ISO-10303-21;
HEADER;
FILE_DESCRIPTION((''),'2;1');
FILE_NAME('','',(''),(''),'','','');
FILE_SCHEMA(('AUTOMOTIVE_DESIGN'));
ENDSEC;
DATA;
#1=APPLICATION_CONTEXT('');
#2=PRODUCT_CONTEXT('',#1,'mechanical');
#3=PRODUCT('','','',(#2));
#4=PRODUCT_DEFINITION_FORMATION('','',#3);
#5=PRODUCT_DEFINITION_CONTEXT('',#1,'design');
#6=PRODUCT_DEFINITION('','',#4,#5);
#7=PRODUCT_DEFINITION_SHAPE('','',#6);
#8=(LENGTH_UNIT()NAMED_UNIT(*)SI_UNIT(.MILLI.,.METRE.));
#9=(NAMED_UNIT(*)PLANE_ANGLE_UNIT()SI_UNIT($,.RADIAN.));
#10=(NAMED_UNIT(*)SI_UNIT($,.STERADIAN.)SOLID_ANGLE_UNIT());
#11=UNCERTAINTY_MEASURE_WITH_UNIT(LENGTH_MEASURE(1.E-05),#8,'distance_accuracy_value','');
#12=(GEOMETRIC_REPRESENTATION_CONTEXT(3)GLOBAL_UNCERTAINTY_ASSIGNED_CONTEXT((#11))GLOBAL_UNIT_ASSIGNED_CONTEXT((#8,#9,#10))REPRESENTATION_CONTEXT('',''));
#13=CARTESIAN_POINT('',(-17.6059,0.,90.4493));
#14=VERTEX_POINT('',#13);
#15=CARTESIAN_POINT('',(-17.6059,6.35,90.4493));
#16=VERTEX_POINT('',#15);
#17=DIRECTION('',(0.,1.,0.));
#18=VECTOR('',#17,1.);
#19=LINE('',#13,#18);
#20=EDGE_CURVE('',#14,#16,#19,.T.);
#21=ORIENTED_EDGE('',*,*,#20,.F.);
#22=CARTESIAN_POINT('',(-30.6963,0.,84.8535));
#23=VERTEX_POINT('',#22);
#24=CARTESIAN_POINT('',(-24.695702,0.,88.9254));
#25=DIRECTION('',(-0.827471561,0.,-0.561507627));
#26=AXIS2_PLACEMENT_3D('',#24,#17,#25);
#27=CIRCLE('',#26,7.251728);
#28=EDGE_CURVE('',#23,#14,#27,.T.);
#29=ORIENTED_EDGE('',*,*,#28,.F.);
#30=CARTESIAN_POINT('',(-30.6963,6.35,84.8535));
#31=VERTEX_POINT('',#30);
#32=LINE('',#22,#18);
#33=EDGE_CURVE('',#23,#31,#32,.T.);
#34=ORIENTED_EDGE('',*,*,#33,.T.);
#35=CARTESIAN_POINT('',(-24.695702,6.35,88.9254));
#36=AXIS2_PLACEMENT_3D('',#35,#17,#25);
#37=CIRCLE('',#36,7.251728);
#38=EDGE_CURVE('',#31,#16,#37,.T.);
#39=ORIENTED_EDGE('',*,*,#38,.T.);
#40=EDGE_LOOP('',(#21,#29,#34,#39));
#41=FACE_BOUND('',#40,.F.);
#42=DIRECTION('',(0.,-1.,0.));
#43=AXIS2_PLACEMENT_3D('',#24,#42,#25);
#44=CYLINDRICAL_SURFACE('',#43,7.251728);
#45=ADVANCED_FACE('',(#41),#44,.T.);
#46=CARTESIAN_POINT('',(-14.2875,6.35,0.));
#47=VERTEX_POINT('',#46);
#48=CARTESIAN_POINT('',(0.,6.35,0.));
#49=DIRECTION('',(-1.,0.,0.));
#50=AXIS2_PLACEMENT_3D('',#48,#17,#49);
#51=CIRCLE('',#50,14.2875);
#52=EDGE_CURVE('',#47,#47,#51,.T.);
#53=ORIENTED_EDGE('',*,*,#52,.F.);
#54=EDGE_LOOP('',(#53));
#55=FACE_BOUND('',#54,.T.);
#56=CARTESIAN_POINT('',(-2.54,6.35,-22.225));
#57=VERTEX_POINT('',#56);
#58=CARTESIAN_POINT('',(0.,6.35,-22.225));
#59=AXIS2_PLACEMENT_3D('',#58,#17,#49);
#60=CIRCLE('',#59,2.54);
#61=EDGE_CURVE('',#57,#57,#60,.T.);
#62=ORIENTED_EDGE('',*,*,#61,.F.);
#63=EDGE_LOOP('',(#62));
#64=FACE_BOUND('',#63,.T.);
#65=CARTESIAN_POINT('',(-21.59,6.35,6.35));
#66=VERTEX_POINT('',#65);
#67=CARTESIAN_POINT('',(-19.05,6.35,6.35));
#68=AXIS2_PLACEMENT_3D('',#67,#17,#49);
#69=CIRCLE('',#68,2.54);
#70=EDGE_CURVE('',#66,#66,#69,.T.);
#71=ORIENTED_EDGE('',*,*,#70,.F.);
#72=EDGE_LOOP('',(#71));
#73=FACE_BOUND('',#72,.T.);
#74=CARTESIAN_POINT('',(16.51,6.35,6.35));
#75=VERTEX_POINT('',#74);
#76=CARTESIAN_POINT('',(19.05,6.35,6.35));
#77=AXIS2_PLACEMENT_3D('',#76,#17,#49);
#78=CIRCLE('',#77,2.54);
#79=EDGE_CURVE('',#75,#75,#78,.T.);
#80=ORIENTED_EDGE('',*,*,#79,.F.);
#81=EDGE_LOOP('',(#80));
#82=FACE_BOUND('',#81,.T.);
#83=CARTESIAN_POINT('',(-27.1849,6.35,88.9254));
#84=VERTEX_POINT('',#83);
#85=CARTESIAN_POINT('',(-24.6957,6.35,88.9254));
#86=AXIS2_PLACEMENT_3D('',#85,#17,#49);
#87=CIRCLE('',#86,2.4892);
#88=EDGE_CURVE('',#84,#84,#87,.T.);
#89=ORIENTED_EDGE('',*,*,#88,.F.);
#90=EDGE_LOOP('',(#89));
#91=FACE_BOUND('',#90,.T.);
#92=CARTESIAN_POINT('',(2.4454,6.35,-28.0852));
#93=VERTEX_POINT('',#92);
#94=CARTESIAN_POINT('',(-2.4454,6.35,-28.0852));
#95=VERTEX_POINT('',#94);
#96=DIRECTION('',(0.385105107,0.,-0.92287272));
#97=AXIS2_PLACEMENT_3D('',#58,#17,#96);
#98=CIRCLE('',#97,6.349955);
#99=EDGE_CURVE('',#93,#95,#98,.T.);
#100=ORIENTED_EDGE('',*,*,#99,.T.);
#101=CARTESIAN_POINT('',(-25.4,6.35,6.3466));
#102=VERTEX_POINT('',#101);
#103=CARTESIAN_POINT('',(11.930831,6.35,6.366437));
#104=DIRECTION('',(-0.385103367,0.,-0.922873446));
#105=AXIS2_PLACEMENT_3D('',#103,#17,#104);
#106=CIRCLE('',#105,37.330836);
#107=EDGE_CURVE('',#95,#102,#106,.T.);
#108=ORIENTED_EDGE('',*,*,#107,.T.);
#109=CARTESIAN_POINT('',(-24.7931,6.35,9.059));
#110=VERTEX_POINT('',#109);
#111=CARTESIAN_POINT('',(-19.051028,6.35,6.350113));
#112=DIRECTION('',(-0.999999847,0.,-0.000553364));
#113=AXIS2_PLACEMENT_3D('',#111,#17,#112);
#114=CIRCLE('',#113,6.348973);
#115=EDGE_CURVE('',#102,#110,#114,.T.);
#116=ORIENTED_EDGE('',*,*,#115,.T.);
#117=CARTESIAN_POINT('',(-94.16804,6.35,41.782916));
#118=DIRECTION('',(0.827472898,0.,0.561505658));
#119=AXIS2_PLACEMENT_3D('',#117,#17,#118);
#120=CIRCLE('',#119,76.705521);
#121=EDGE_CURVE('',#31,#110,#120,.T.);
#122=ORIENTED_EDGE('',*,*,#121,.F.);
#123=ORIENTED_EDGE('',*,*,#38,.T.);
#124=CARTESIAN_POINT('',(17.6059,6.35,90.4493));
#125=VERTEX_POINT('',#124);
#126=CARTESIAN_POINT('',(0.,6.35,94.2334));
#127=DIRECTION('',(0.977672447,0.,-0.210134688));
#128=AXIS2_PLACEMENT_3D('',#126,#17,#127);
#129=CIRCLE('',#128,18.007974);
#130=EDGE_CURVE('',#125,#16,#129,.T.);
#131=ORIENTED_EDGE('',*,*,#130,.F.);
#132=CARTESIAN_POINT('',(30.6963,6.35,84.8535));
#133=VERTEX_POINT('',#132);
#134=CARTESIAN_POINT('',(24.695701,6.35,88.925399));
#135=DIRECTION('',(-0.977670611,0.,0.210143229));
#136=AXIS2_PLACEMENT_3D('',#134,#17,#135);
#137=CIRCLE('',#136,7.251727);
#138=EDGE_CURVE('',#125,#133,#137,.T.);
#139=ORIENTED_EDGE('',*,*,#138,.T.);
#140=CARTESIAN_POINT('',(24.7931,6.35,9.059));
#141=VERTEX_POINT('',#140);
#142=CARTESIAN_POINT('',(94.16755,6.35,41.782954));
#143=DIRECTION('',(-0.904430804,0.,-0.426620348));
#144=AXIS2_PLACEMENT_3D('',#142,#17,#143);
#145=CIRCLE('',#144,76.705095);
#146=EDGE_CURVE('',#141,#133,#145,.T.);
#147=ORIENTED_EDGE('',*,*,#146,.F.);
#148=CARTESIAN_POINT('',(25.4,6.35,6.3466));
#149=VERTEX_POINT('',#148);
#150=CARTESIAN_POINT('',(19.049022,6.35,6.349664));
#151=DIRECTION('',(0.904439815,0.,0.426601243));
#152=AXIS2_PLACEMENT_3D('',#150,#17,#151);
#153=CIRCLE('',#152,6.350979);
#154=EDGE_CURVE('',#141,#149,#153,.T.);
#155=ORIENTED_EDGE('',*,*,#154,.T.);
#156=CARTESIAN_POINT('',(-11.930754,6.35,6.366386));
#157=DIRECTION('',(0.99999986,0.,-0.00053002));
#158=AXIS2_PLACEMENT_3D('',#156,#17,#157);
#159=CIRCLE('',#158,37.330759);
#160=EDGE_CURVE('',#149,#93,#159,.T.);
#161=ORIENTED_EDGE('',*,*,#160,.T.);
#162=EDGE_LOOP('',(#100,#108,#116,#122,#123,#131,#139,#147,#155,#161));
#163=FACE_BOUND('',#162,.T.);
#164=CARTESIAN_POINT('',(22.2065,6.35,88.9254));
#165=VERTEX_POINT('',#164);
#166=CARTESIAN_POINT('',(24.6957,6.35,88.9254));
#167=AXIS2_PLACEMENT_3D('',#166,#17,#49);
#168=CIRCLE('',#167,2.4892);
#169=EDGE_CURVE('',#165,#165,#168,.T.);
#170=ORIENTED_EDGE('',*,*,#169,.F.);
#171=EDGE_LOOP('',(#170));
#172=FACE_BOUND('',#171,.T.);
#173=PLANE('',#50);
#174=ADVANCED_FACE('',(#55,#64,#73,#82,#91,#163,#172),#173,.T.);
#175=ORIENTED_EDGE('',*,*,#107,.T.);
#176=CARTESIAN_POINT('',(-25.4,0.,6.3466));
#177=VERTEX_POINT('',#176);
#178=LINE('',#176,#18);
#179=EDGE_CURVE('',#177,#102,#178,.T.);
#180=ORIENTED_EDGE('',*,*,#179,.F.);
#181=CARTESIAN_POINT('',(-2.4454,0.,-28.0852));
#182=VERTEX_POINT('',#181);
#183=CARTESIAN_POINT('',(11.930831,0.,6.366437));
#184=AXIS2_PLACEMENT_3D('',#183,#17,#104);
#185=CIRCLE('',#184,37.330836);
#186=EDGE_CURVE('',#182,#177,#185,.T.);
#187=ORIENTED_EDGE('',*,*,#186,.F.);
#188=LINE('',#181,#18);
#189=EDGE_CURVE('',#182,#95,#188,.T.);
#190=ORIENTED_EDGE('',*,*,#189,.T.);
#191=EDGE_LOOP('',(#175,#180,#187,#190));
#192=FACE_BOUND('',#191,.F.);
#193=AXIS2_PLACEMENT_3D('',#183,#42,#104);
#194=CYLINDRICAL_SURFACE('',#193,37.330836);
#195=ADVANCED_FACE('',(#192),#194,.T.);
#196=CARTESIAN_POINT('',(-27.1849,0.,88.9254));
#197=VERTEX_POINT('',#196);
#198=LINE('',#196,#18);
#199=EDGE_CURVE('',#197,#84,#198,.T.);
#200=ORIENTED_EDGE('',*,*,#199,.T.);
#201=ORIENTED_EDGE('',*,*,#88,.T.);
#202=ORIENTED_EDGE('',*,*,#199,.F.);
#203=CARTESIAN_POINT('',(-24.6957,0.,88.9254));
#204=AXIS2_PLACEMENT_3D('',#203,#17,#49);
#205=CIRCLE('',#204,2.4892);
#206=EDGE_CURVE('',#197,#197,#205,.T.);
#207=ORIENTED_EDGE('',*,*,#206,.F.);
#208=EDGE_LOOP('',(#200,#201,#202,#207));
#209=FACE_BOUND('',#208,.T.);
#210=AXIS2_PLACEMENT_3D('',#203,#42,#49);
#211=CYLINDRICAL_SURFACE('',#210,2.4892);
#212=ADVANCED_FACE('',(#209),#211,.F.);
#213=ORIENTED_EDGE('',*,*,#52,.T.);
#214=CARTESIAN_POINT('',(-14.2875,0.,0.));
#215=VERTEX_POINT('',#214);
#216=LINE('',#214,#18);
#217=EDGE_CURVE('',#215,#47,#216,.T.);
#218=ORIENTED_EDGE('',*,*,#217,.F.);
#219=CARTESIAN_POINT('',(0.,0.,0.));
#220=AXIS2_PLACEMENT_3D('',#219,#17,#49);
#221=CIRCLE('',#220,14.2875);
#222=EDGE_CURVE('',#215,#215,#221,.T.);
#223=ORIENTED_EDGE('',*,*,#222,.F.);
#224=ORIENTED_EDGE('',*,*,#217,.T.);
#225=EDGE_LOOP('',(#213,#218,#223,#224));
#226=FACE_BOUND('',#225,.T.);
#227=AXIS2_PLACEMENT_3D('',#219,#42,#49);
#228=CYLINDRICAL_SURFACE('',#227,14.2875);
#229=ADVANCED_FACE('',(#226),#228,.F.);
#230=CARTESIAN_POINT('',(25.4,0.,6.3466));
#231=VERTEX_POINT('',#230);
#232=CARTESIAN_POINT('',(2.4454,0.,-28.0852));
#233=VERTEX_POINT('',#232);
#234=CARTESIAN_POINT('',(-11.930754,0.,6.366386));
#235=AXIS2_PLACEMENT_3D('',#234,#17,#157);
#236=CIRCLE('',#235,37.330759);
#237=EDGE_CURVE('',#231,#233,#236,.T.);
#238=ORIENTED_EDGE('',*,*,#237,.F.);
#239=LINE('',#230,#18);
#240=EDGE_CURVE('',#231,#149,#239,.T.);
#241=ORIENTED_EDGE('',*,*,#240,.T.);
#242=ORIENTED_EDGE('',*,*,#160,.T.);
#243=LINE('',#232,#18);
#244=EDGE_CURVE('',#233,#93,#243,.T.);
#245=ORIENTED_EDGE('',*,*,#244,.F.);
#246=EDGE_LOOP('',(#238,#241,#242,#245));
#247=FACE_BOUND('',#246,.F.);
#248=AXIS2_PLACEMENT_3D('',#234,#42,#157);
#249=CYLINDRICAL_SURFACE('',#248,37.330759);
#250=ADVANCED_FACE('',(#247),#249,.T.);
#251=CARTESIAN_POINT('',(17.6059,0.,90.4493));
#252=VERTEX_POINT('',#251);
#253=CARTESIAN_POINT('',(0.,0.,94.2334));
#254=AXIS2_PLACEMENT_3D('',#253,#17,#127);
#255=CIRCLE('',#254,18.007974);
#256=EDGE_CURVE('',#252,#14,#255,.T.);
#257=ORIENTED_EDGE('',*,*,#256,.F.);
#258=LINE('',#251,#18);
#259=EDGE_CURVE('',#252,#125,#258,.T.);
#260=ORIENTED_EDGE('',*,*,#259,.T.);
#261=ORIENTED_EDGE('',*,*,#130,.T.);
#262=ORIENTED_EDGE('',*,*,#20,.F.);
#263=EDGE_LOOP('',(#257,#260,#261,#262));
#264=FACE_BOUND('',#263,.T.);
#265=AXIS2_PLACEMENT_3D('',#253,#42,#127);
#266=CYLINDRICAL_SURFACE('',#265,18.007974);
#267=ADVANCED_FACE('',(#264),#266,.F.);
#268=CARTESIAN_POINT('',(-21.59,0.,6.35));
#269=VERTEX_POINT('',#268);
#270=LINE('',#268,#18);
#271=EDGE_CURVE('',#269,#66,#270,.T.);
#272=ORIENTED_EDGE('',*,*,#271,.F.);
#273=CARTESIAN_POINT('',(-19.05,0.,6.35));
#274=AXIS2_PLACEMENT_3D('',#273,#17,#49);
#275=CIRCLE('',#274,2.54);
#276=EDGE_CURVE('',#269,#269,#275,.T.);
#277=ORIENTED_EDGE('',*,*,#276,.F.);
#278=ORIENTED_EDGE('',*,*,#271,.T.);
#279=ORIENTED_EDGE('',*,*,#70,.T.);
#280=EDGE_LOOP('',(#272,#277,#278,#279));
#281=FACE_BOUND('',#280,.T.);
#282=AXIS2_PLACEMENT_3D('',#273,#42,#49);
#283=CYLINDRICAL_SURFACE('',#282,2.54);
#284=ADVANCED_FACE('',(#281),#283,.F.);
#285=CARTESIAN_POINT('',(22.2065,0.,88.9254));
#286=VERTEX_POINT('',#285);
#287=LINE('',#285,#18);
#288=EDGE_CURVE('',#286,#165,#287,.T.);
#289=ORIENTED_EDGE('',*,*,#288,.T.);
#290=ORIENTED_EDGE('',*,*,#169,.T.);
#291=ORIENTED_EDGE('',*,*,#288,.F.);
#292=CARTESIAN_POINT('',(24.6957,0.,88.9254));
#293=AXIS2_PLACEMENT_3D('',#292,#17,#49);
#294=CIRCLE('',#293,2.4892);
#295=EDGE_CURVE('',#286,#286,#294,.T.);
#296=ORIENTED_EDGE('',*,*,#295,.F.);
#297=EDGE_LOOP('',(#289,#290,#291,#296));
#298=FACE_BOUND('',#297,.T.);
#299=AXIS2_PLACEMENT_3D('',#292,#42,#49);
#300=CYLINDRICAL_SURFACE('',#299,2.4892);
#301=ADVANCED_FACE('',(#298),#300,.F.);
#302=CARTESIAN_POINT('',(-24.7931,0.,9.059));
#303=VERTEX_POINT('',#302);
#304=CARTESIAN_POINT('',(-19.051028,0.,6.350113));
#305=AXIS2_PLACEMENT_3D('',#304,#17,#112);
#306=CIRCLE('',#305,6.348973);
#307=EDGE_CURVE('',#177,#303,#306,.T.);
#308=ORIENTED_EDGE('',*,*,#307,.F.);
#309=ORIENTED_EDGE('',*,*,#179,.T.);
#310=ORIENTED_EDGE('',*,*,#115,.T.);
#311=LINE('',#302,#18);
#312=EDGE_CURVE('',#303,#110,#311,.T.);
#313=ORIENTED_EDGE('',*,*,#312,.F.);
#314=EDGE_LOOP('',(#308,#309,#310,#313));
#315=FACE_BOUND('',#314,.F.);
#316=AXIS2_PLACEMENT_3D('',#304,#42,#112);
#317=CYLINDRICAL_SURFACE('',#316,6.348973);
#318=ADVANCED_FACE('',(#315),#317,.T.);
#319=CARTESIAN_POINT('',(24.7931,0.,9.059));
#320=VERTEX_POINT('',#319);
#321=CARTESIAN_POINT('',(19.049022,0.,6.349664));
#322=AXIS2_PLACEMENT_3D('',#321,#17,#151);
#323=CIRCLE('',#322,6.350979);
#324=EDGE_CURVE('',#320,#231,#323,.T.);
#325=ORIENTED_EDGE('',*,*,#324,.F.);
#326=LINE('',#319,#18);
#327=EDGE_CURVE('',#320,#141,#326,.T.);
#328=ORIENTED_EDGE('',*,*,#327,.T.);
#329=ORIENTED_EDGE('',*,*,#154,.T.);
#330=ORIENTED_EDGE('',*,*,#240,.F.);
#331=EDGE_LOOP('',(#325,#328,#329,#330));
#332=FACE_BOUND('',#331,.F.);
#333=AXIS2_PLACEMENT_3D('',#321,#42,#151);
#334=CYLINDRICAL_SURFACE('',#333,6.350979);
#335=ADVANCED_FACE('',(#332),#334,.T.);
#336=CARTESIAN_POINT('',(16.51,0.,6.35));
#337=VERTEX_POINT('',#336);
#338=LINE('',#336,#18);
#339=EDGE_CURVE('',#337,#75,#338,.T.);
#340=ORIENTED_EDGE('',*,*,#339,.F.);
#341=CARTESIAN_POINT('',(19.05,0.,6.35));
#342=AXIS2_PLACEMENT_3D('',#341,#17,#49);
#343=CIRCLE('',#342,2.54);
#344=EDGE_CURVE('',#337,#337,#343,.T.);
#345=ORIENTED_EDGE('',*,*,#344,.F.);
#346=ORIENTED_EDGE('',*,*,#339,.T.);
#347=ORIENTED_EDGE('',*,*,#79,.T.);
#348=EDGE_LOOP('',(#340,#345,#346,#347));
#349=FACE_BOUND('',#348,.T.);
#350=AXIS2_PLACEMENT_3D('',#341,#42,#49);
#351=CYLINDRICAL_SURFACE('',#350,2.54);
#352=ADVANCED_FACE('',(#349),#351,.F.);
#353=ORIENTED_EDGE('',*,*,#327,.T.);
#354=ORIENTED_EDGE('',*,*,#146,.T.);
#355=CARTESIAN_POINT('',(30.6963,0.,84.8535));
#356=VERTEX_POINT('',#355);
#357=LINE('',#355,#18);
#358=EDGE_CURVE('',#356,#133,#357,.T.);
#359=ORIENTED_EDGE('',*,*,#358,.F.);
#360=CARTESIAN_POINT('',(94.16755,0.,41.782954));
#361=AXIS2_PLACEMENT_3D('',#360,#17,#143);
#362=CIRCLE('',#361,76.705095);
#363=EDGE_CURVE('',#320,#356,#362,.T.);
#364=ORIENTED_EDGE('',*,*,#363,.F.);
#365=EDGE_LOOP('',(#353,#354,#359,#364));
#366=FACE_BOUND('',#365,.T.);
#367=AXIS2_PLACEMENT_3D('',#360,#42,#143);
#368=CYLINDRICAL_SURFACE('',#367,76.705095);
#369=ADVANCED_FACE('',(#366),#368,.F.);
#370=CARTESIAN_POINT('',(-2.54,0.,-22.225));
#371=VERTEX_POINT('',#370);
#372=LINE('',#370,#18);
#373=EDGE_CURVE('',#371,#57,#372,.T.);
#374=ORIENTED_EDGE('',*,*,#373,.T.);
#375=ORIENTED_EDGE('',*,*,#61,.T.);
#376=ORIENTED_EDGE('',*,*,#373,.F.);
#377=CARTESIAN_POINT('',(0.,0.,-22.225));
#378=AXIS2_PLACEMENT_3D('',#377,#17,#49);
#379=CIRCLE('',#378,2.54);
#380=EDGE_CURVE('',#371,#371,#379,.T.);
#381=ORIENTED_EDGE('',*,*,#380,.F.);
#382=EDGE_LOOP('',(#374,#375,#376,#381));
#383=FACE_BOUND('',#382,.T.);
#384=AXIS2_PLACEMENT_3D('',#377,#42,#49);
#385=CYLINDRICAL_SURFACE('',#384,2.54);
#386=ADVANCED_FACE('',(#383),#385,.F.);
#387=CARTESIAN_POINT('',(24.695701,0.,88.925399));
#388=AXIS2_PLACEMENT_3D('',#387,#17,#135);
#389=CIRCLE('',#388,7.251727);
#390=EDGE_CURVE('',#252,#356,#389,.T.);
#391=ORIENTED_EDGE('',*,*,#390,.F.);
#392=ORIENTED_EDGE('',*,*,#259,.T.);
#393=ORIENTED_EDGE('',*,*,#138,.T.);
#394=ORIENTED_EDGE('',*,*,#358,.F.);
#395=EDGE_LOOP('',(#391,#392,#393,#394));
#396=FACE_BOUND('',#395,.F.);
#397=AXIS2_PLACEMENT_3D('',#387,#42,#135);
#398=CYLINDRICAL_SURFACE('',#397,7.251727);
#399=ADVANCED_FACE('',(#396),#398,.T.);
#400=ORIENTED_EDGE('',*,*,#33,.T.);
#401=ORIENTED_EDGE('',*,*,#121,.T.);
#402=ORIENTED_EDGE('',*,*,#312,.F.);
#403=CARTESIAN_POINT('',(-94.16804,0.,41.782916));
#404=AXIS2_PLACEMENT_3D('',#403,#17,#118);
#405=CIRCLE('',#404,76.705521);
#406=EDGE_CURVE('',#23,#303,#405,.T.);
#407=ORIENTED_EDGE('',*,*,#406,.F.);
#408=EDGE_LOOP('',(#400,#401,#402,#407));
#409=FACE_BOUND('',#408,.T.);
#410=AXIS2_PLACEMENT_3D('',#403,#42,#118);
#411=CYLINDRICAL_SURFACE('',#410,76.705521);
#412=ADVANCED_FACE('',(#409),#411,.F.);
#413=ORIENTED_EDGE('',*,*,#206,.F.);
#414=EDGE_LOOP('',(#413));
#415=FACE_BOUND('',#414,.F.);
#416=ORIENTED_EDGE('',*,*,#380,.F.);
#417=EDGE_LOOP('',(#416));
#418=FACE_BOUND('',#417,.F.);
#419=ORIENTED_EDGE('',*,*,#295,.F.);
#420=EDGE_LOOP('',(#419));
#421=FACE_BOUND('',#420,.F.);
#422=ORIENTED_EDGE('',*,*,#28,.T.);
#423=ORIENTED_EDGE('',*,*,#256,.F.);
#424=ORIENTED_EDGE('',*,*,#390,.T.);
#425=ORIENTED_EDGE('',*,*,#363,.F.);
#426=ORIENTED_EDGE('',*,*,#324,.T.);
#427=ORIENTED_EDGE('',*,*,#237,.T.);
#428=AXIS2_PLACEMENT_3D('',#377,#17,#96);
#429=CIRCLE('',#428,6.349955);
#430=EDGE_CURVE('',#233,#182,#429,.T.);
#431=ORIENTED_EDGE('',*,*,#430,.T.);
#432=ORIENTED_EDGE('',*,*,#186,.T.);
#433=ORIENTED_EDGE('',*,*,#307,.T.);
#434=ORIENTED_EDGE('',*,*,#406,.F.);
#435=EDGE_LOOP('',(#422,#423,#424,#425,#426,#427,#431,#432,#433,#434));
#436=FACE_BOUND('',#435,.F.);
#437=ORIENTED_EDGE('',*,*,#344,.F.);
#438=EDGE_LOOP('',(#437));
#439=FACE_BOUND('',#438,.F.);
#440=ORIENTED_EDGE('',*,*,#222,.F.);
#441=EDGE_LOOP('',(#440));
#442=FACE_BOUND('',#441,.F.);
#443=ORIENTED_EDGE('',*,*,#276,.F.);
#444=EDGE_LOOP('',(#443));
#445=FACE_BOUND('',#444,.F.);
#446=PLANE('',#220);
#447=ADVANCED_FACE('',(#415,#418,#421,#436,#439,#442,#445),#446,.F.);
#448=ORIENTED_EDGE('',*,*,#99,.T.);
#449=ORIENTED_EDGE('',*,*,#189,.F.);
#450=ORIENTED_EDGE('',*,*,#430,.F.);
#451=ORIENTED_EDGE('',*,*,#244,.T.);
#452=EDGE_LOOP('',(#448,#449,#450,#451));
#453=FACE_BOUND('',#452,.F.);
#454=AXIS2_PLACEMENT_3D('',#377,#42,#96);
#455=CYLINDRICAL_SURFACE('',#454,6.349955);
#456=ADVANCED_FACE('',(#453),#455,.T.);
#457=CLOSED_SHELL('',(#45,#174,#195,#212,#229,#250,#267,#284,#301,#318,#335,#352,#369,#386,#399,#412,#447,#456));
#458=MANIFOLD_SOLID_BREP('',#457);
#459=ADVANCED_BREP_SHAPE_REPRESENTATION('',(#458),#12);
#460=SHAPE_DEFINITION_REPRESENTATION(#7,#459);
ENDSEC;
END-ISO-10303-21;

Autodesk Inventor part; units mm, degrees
ref_plane "YZ Plane" through (0, 0, 0) normal (1, 0, 0) x (0, 1, 0)
ref_plane "XZ Plane" through (0, 0, 0) normal (0, 1, 0) x (-1, 0, 0)
ref_plane "XY Plane" through (0, 0, 0) normal (0, 0, 1) x (1, 0, 0)
sketch "Sketch1" plane through (0, 0, 0) normal (0, 1, 0) x (-1, 0, 0)
  circle A0 centre (0, 0) radius 14.2875
  line L0 (143.7805, 15.875) -> (-143.7805, 15.875) construction
  line L1 (0, 0) -> (0, 15.875) construction
  line L2 (0, 15.875) -> (0, 88.9254) construction
  line L3 (24.6957, 88.9254) -> (-24.6957, 88.9254) construction
  line L4 (0, 113.6211) -> (0, 64.2297) construction
  circle A1 centre (24.6957, 88.9254) radius 2.4892
  circle A2 centre (-24.6957, 88.9254) radius 2.4892
  circle A3 centre (0, 64.2297) radius 2.4892 construction
  circle A4 centre (0, 113.6211) radius 2.4892 construction
  circle A5 centre (0, 0) radius 50.8 construction
  line L5 (143.7805, -34.925) -> (-143.7805, -34.925) construction
  line L6 (0, 0) -> (0, -34.925) construction
  circle A6 centre (19.05, 6.35) radius 2.54
  circle A7 centre (-19.05, 6.35) radius 2.54
  circle A8 centre (0, -22.225) radius 2.54
  line L7 (19.05, 6.35) -> (-19.05, 6.35) construction
  arc A9 (-2.4454, -28.0852) -> (2.4454, -28.0852) centre (0, -22.225) ccw
  arc A10 (-24.7931, 9.059) -> (-25.4, 6.3466) centre (-19.05, 6.35) ccw
  arc A11 (25.4, 6.3466) -> (24.7931, 9.059) centre (19.05, 6.35) ccw
  arc A12 (30.6963, 84.8535) -> (24.7931, 9.059) centre (94.1678, 41.783) ccw
  arc A13 (-24.7931, 9.059) -> (-30.6963, 84.8535) centre (-94.1678, 41.783) ccw
  arc A14 (2.4454, -28.0852) -> (25.4, 6.3466) centre (-11.9308, 6.3664) ccw
  arc A15 (-25.4, 6.3466) -> (-2.4454, -28.0852) centre (11.9308, 6.3664) ccw
  line L8 (12.3733, -7.1438) -> (20.6222, -11.9063) construction
  arc A16 (-17.6059, 90.4493) -> (-30.6963, 84.8535) centre (-24.6957, 88.9254) ccw
  arc A17 (30.6963, 84.8535) -> (17.6059, 90.4493) centre (24.6957, 88.9254) ccw
  arc A18 (-17.6059, 90.4493) -> (17.6059, 90.4493) centre (0, 94.2334) ccw
  line L9 (-17.4625, 41.783) -> (17.4625, 41.783) construction
  circle A19 centre (0, 88.9254) radius 12.7 construction
  point P0 (0, 6.35)
  dimension "d0" = 28.575
  dimension "d1" = 15.875
  dimension "d3" = 4.9784
  dimension "d4" = 88.9254
  dimension "d5" = 101.6
  dimension "d7" = 50.8
  dimension "d8" = 5.08
  dimension "d9" = 9.525
  dimension "d10" = 38.1
  dimension "d12" = 6.35
  dimension "d18" = 28.575
  dimension "d19" = 9.525
  dimension "d20" = 60
  dimension "d23" = 34.925
  dimension "d25" = 4.7625
  dimension "d26" = 34.925
  dimension "d27" = 25.4
extrude "Extrusion1" add sketch "Sketch1" along normal blind 6.35
properties material "Aluminum 6061"
